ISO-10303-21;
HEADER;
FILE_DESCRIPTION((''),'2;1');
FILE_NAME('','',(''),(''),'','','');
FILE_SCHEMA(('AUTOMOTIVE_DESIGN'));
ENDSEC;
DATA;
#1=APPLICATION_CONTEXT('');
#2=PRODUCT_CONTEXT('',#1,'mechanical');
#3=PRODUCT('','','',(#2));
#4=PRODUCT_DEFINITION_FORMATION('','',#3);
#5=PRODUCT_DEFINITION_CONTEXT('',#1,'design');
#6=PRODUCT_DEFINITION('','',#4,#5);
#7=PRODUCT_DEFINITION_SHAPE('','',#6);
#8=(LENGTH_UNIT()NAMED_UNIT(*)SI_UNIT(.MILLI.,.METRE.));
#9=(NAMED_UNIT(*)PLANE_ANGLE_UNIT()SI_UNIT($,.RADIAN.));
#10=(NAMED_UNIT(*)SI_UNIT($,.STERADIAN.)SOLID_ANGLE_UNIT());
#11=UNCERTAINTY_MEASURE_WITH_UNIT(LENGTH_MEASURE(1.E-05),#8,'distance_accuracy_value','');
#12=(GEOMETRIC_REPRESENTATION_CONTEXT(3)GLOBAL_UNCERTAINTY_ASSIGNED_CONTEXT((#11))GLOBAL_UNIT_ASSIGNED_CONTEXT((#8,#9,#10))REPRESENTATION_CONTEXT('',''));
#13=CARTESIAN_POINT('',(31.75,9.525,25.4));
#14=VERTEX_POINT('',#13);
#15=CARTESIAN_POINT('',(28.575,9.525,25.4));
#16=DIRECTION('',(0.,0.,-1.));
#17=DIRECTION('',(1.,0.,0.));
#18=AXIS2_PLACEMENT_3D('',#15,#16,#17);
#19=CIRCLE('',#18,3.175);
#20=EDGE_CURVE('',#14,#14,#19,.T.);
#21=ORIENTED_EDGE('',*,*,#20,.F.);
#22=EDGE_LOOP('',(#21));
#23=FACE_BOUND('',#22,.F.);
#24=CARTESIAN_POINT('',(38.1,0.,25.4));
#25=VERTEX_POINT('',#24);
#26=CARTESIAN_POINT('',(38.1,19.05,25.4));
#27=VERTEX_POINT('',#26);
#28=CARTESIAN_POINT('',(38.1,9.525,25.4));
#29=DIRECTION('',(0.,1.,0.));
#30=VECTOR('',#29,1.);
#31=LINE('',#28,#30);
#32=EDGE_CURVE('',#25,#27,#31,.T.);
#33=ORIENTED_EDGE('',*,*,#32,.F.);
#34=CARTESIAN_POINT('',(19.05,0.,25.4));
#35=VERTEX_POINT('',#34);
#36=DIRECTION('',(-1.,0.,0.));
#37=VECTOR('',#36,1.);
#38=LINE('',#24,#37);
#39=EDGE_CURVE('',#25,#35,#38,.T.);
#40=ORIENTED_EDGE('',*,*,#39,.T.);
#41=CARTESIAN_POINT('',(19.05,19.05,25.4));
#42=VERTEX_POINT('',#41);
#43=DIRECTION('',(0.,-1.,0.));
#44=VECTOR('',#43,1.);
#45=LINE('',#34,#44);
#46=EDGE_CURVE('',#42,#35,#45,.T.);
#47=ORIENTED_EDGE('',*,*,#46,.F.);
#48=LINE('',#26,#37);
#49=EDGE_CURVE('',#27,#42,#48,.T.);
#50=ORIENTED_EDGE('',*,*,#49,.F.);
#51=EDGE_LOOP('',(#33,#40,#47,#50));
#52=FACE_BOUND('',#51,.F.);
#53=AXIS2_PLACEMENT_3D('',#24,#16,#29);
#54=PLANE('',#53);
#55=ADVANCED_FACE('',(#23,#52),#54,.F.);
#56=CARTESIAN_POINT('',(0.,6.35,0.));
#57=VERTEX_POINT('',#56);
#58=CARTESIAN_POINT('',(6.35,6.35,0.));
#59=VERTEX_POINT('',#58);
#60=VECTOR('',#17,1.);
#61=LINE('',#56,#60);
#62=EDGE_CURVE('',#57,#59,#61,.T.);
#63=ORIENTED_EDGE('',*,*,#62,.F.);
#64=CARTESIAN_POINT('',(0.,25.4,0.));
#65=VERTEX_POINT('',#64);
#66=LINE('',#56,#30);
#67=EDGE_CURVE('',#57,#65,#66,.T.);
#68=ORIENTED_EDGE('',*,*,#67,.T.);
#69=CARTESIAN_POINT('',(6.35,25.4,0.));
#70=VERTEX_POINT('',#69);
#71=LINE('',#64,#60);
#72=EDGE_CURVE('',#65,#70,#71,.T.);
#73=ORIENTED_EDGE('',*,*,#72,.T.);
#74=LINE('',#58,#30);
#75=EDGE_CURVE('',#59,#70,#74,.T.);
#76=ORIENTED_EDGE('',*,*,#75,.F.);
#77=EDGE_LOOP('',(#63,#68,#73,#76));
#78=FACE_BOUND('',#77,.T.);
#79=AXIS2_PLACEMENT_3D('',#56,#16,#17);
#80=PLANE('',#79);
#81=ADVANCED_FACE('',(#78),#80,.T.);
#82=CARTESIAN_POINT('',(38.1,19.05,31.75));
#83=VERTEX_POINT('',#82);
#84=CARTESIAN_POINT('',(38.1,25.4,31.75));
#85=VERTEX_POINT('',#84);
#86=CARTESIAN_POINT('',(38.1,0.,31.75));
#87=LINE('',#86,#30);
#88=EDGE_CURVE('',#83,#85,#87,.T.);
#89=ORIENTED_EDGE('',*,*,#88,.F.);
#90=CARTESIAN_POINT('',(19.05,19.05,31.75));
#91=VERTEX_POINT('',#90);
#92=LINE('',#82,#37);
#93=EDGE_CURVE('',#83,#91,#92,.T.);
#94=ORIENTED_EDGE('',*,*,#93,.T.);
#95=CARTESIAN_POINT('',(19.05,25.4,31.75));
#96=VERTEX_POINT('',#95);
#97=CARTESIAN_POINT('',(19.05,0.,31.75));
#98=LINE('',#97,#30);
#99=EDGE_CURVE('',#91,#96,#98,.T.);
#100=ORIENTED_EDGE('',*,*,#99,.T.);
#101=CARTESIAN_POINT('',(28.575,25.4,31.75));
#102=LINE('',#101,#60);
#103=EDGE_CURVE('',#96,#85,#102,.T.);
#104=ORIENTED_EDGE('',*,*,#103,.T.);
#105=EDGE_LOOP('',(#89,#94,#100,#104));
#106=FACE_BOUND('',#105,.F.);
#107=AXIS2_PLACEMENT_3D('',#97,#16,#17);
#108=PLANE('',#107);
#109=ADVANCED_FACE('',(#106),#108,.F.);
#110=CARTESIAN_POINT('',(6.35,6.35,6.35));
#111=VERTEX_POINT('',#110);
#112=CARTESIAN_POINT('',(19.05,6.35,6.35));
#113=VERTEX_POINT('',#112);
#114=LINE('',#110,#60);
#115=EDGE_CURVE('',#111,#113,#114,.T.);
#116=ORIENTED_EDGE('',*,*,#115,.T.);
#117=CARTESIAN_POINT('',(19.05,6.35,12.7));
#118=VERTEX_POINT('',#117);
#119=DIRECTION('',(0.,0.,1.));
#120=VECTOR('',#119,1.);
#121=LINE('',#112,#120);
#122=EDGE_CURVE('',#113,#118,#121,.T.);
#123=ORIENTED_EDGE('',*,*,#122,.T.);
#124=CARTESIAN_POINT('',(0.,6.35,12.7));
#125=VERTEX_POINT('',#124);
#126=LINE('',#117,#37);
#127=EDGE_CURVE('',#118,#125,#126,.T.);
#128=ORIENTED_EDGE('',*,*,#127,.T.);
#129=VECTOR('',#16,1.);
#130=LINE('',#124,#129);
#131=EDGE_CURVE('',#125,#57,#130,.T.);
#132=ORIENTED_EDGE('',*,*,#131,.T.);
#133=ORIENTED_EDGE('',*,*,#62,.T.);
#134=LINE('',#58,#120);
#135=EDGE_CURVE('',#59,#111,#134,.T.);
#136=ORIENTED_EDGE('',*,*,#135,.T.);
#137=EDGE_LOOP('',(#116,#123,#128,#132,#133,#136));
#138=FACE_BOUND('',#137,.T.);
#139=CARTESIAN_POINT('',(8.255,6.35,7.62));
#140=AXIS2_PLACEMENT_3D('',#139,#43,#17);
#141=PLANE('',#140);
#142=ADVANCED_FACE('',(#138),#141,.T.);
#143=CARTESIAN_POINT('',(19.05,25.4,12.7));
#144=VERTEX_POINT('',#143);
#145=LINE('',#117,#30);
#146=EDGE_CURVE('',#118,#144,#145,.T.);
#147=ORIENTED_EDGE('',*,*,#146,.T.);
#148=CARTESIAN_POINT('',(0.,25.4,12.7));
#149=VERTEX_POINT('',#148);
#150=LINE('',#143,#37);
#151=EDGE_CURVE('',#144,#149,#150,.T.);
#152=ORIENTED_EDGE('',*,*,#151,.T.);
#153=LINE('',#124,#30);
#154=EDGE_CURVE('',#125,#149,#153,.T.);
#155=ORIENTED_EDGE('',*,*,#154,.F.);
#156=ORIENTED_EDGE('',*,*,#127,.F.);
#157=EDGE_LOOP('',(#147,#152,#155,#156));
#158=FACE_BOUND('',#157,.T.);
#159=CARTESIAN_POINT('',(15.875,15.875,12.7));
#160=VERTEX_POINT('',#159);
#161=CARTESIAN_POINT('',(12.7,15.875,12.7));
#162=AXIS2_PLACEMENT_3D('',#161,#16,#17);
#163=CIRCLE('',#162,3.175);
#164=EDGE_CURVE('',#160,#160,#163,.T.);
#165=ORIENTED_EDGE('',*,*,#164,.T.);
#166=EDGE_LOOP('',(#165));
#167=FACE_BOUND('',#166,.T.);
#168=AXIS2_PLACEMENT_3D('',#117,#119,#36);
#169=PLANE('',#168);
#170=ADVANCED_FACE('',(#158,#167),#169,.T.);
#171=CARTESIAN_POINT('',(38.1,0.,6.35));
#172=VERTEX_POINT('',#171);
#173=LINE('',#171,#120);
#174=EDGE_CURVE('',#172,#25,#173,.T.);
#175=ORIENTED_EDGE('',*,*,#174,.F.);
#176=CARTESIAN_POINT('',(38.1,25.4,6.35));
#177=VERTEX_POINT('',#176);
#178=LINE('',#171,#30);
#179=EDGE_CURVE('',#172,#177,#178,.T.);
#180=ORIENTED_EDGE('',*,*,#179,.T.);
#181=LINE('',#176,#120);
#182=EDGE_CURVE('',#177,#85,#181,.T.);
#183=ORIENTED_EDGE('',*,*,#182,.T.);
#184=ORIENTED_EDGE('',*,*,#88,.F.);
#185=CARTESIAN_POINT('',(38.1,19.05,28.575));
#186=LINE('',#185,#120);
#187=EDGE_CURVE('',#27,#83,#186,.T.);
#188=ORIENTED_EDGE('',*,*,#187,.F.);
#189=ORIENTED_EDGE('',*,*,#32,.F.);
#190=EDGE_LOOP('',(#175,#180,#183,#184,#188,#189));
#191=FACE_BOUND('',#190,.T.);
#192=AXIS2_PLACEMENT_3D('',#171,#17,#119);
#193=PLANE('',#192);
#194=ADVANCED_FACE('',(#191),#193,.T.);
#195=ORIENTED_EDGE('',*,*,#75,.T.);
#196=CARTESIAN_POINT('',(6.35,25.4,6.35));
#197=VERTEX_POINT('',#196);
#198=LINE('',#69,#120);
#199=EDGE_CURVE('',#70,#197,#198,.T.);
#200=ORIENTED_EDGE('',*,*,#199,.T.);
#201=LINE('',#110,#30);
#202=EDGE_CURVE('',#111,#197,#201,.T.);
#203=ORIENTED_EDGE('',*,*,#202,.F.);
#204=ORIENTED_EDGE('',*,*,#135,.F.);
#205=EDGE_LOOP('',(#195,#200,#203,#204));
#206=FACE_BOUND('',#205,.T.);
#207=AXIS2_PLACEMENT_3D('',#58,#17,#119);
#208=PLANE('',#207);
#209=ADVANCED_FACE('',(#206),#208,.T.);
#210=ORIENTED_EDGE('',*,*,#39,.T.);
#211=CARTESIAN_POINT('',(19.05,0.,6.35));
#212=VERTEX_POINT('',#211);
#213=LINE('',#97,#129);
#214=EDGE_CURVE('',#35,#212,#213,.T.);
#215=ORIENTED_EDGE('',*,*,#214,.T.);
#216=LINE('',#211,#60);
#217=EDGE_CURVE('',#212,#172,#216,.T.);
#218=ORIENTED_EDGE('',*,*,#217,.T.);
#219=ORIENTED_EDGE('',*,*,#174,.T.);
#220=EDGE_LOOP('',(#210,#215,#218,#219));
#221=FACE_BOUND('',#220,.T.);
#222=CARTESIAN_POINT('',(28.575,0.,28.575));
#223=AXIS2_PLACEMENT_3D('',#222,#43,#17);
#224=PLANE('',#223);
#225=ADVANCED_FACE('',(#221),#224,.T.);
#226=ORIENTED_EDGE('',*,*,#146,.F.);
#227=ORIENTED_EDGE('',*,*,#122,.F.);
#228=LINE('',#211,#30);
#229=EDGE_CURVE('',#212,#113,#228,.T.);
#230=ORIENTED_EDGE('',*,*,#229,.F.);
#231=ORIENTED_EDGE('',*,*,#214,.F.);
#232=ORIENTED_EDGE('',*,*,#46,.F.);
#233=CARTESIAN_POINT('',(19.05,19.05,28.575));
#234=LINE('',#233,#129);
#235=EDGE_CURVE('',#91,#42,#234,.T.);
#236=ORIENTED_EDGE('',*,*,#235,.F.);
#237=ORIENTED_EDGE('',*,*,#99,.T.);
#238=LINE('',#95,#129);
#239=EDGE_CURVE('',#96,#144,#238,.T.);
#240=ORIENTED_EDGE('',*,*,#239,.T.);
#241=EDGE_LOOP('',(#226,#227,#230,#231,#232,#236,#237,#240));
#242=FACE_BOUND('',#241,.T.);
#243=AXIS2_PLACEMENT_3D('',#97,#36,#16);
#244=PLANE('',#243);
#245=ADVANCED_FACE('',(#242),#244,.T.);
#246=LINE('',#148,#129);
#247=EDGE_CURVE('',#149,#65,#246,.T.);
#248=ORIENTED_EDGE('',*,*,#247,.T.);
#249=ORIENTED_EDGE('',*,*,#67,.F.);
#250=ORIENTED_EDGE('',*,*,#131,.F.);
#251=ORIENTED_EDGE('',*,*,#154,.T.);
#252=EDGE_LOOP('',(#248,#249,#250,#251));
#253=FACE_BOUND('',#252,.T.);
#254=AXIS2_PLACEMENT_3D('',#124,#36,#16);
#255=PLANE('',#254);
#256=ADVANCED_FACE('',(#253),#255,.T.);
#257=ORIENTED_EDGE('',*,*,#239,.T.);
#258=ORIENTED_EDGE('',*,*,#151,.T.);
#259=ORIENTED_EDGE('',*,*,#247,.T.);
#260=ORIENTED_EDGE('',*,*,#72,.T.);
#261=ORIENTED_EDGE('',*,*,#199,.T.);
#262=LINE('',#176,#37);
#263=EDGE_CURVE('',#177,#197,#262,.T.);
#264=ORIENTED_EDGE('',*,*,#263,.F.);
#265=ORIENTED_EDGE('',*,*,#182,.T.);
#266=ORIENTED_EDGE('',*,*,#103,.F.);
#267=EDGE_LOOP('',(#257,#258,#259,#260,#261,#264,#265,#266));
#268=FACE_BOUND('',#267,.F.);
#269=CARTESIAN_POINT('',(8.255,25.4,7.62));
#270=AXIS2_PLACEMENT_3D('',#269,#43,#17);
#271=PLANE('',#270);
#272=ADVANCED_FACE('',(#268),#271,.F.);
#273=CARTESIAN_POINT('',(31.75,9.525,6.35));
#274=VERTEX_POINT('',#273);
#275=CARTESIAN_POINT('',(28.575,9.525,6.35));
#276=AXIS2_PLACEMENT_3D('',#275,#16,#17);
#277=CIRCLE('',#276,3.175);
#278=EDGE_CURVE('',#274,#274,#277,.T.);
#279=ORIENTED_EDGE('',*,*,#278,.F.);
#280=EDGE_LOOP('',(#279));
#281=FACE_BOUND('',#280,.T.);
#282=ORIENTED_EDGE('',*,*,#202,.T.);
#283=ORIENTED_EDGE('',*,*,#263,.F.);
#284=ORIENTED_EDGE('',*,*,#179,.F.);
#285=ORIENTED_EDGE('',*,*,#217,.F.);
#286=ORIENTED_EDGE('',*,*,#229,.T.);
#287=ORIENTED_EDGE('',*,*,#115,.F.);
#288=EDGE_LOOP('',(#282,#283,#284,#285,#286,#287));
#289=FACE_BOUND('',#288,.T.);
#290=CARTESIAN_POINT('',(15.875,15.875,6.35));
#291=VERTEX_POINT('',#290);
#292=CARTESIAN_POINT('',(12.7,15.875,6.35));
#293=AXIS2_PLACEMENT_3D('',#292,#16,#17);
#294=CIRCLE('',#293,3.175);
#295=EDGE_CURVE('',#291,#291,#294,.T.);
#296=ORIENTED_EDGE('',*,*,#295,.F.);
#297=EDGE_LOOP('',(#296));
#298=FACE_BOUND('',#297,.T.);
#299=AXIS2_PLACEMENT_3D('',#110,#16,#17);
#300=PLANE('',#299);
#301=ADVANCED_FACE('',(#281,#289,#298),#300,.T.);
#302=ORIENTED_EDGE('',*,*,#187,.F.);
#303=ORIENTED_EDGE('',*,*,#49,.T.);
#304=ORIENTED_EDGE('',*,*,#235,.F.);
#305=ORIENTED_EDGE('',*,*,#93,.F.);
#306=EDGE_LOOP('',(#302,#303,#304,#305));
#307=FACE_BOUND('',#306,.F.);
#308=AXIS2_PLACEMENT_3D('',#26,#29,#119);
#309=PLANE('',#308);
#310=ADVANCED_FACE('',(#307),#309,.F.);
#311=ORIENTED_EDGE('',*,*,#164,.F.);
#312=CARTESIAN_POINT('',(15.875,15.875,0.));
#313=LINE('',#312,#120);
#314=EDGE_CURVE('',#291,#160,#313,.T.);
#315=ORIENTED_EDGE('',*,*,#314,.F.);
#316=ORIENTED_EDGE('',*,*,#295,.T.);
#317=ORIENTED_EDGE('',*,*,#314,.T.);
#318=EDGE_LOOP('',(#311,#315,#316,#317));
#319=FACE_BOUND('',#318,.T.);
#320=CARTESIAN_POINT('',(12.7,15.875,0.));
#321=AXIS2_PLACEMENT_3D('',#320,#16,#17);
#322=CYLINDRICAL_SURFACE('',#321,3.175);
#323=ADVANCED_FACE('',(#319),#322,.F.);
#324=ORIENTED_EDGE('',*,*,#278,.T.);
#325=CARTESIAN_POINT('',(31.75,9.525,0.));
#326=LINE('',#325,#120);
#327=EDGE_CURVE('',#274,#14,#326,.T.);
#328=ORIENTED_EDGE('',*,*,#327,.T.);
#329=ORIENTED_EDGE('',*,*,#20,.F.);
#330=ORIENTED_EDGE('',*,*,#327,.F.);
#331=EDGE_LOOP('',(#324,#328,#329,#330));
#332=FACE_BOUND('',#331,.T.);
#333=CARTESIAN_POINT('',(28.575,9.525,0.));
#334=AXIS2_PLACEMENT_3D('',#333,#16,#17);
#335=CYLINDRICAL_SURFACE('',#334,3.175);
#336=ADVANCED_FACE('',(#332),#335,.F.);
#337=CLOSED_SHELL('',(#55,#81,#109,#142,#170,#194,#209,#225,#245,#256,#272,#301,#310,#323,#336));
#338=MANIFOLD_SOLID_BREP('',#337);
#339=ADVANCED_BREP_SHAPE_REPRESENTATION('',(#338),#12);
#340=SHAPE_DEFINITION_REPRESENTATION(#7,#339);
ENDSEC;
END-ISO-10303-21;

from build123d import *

# Parameters (mm, degrees)
F0_W     = 19.05
F0_H     = 6.35
F1_DEPTH = 25.4
F2_START = -6.35
F2_DEPTH = 19.05
F4_W     = 19.05
F4_H     = 6.35
F5_DEPTH = 38.101
F6_R     = 3.175
F7_DEPTH = 31.751


with BuildPart() as f1:
    # F0 (on Front) → F1 (new body)
    with BuildSketch(Plane.XZ):
        with Locations((28.575, 28.575)):
            Rectangle(F0_W, F0_H)
        Polygon((19.05, 25.4), (19.05, 12.7), (19.05, 6.35), (38.1, 6.35), (38.1, 25.4), align=None)
    extrude(amount=-F1_DEPTH)

    # F0 (on Front) → F2 (join)
    with BuildSketch(Plane.XZ.offset(F2_START)):
        Polygon((0, 12.7), (0, 0), (6.35, 0), (6.35, 6.35), (19.05, 6.35), (19.05, 12.7), align=None)
    extrude(amount=-F2_DEPTH)

    # F4 (on face) → F5 (cut, through all)
    with BuildSketch(Plane.YZ.offset(38.1)):
        with Locations((9.525, 28.575)):
            Rectangle(F4_W, F4_H)
    extrude(amount=-F5_DEPTH, mode=Mode.SUBTRACT)

    # F6 (on Top) → F7 (cut, through all)
    with BuildSketch(Plane.XY):
        with Locations((12.7, 15.875)):
            Circle(F6_R)
        with Locations((28.575, 9.525)):
            Circle(F6_R)
    extrude(amount=F7_DEPTH, mode=Mode.SUBTRACT)


solid = f1.part
